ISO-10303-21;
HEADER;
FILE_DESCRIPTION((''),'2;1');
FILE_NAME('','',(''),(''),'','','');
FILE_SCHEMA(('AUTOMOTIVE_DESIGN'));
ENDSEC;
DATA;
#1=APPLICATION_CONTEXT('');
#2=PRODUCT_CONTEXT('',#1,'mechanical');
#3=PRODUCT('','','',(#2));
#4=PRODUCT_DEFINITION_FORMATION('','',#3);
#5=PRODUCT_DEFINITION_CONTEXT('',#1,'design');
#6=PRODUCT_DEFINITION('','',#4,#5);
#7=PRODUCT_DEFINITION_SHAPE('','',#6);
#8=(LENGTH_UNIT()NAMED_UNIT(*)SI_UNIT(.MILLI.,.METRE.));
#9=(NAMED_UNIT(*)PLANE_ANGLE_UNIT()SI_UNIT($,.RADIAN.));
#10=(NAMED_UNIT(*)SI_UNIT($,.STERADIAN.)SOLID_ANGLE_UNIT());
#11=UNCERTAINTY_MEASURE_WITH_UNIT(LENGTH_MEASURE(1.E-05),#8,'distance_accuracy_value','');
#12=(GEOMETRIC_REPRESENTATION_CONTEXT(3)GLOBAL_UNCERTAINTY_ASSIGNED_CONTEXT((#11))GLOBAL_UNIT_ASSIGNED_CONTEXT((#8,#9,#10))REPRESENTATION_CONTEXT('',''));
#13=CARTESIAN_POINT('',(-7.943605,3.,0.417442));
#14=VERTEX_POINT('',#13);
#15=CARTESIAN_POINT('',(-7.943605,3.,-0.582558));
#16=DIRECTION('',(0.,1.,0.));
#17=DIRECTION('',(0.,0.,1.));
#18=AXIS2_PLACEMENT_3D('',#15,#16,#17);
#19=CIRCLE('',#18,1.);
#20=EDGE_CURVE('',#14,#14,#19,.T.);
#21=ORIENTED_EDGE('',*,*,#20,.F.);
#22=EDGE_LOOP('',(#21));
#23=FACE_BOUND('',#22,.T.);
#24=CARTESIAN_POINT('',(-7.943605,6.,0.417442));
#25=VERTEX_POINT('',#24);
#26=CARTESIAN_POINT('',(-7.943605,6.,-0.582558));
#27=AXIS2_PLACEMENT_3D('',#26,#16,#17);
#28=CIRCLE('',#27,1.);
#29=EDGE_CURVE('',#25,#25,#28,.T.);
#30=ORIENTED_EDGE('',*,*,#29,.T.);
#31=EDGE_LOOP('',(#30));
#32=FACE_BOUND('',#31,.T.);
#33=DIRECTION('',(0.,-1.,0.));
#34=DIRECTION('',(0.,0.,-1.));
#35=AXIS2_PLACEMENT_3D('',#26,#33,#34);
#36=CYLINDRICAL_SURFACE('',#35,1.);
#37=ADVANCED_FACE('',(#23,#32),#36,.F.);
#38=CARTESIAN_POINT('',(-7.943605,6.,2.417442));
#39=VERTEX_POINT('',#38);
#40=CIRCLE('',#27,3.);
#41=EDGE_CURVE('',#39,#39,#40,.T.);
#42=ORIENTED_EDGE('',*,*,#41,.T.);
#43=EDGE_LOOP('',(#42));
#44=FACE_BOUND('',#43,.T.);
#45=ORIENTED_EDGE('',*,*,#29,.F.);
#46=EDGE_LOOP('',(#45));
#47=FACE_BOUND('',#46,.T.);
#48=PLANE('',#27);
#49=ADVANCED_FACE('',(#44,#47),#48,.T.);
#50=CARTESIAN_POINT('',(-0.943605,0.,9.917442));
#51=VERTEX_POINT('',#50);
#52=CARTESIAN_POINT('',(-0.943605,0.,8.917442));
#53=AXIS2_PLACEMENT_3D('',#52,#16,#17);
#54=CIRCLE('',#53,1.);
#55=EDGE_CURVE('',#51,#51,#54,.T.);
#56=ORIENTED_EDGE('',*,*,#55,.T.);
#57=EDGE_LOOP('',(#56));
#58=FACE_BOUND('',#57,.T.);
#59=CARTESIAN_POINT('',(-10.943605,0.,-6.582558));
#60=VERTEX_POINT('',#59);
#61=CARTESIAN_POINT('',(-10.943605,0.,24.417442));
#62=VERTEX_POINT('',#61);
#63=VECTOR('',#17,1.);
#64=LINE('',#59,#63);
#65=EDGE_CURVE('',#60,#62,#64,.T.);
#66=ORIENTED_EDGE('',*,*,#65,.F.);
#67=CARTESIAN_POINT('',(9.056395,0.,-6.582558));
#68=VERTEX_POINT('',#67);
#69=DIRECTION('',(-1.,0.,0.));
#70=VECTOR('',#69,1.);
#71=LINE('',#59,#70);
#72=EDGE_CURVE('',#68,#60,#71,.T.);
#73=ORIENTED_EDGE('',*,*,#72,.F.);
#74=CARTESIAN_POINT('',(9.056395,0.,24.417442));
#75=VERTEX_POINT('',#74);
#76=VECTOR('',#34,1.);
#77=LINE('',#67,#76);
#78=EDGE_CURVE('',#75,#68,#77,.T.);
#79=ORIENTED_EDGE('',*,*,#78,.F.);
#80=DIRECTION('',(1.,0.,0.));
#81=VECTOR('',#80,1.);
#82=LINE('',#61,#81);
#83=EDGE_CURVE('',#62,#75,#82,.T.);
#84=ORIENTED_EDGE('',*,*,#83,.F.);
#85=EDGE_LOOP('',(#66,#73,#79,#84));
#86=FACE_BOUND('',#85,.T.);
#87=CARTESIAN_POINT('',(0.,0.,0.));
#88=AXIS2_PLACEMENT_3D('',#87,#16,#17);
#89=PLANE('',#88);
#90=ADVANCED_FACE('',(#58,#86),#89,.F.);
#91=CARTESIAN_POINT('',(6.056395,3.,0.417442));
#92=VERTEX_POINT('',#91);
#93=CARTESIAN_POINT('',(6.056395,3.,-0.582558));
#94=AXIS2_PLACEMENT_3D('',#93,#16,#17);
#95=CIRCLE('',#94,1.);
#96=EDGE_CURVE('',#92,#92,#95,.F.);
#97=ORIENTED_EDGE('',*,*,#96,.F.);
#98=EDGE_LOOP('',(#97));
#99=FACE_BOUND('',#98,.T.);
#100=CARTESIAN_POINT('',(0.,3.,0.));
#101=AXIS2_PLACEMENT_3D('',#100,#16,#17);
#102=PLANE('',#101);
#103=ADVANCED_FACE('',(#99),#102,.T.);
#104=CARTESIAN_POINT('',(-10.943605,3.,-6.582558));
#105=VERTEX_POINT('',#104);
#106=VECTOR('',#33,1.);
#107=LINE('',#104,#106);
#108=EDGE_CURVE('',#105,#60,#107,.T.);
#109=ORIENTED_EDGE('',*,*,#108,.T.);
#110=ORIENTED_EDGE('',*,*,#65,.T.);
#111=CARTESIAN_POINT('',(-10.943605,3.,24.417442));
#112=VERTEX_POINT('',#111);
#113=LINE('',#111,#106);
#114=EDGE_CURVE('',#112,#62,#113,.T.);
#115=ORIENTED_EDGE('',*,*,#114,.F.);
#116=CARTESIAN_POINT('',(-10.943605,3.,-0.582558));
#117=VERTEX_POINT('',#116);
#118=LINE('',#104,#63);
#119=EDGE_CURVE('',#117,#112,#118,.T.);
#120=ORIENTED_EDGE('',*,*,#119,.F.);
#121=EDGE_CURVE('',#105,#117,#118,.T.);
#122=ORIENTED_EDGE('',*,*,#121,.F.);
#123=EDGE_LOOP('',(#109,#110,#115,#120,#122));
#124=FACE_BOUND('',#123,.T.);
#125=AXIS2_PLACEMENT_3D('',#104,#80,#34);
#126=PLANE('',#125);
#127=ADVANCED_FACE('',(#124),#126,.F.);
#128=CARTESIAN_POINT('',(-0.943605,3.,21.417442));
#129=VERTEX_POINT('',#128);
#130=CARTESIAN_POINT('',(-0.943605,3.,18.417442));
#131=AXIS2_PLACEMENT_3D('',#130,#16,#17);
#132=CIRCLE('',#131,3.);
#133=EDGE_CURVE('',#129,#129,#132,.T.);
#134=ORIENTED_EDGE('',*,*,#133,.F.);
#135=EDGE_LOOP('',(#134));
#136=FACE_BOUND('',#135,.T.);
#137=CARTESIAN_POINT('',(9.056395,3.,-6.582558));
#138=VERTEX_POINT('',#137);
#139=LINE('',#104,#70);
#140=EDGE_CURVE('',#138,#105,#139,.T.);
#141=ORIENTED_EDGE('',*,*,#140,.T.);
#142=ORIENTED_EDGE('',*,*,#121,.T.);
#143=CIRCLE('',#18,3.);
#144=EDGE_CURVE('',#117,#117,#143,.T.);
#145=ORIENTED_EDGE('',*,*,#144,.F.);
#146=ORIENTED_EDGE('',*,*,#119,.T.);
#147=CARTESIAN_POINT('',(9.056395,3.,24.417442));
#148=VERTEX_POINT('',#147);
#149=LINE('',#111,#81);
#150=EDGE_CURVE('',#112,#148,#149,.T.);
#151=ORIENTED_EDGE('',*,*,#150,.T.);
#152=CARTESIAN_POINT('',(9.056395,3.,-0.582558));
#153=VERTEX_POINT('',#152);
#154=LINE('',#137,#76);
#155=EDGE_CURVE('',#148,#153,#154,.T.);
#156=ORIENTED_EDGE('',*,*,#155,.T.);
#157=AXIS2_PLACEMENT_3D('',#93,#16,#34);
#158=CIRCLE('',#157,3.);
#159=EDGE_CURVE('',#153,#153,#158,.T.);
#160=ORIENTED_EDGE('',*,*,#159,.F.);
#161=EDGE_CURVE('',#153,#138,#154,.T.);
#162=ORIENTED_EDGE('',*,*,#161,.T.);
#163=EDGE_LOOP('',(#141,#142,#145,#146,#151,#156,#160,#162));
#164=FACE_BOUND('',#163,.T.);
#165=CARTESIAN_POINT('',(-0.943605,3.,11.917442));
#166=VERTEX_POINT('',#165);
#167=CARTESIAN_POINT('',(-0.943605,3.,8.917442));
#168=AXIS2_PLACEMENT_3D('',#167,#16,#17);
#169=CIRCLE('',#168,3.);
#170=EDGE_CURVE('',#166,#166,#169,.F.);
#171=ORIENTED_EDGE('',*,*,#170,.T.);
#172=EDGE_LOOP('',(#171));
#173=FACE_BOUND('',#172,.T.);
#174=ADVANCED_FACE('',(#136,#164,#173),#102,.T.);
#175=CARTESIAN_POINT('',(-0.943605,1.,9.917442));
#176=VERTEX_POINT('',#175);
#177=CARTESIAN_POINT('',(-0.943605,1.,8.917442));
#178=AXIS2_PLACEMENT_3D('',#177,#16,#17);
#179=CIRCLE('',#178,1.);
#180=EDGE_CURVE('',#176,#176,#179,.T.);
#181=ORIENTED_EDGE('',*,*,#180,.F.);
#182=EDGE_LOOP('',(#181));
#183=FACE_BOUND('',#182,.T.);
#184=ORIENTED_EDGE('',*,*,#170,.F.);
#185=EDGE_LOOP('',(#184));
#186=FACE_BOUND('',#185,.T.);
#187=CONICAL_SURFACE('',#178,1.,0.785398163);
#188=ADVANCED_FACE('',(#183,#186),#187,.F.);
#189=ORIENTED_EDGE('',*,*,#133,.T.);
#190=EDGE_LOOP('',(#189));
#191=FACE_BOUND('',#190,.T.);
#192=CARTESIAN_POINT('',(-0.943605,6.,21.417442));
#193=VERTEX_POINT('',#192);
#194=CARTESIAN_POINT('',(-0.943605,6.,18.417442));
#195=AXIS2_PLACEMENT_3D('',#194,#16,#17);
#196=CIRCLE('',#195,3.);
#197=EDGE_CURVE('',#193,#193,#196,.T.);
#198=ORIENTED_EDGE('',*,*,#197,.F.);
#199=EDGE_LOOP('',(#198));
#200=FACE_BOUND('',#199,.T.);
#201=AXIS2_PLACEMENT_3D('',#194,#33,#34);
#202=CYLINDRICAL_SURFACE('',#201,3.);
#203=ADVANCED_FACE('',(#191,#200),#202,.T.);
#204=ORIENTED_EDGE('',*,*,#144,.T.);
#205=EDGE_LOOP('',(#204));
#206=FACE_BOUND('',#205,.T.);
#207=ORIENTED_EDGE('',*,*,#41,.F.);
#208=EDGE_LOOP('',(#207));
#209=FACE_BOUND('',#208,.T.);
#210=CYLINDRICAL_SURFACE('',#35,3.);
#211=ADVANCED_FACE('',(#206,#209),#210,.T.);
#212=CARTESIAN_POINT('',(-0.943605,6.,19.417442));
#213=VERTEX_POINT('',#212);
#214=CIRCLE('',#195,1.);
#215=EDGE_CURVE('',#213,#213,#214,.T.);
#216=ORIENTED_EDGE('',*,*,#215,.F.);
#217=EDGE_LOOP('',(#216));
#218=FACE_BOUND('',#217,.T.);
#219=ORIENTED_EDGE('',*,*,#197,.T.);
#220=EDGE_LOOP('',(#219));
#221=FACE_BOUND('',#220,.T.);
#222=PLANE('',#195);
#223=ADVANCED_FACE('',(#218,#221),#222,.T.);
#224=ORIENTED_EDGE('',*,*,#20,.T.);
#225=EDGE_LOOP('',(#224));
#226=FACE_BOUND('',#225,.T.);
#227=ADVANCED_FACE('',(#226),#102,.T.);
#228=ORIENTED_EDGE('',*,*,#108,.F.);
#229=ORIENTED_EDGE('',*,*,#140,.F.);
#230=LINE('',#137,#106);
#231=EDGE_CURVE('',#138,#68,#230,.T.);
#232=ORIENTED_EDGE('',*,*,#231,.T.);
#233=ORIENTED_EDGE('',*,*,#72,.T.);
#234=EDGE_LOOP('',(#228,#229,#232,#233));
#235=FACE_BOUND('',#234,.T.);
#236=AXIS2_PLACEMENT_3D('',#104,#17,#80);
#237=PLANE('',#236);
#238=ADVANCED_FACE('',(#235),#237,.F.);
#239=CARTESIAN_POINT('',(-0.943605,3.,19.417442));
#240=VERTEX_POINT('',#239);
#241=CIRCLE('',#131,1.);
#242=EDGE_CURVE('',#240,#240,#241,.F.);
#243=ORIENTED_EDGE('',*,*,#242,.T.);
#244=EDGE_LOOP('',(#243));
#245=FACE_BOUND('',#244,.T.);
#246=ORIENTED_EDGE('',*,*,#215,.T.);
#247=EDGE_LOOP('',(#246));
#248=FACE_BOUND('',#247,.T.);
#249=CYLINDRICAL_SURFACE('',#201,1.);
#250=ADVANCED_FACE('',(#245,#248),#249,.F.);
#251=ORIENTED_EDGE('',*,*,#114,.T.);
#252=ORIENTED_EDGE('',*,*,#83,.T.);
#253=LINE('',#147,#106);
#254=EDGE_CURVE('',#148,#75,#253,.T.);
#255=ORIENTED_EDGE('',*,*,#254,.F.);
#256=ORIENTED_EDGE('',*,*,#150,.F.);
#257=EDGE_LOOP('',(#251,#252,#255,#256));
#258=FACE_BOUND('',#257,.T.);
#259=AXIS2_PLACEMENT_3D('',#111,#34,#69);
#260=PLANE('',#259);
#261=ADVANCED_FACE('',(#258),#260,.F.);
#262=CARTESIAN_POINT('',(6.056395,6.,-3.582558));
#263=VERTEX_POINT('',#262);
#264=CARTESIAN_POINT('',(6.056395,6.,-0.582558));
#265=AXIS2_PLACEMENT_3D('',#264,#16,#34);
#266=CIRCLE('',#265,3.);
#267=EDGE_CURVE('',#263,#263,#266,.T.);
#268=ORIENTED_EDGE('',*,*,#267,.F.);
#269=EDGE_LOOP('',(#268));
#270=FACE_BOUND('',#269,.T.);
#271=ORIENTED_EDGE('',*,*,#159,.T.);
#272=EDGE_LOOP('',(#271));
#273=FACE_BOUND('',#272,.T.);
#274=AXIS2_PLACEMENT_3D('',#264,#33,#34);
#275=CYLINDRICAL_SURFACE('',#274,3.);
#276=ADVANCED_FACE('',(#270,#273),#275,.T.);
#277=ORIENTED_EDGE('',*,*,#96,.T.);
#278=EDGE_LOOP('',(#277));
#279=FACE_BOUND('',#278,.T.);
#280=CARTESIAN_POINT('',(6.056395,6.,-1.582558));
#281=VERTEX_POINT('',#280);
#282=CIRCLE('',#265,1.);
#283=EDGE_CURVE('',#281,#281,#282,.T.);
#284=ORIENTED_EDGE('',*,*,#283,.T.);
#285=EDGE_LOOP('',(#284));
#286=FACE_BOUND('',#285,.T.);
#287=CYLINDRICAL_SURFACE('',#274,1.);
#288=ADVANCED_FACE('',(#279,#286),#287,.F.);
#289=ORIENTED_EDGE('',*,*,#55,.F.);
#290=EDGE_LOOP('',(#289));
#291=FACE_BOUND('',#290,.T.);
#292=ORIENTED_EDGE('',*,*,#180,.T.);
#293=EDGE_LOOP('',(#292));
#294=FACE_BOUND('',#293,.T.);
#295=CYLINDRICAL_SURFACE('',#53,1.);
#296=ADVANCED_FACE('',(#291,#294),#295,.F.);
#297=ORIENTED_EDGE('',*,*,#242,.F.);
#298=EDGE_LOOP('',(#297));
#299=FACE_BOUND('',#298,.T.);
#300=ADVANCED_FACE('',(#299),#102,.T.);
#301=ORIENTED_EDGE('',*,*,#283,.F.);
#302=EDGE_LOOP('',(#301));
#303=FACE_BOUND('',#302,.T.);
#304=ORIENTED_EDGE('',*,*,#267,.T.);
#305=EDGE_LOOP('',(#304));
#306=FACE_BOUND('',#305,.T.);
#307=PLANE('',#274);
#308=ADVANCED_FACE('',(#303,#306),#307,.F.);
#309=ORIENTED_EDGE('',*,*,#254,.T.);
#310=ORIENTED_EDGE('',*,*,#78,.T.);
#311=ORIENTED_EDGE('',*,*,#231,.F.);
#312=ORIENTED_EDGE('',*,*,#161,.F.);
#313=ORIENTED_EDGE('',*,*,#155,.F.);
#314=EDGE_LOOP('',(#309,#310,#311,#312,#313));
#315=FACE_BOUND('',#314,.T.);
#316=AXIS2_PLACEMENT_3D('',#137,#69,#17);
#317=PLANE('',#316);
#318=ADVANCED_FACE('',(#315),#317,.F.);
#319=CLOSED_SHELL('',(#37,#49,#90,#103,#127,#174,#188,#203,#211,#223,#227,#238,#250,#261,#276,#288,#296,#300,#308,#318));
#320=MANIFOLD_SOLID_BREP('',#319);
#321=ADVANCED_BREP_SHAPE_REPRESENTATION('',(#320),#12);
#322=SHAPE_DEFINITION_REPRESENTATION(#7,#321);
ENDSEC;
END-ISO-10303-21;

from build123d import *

# Parameters (mm, degrees)
SKETCH_1_W          = 20
SKETCH_1_H          = 31
EXTRUDE_1_DEPTH     = 3
SKETCH_3_R          = 3
SKETCH_3_R_2        = 1
EXTRUDE_2_DEPTH     = 3
SKETCH_4_R          = 1
CUT_EXTRUDE_1_DEPTH = 3
CHAMFER_1_SIZE      = 2


with BuildPart() as part:
    # Эскиз1 → Бобышка-Вытянуть1 (new body)
    with BuildSketch(Plane(origin=(0, 0, 0), x_dir=(1, 0, 0), z_dir=(0, 1, 0))):
        with Locations((-0.943604651, -8.91744186)):
            Rectangle(SKETCH_1_W, SKETCH_1_H)
    extrude(amount=EXTRUDE_1_DEPTH)

    # Эскиз3 → Бобышка-Вытянуть2 (add)
    with BuildSketch(Plane(origin=(0, 3, 0), x_dir=(1, 0, 0), z_dir=(0, 1, 0))):
        with Locations((-7.943604651, 0.58255814)):
            Circle(SKETCH_3_R)
        with Locations((-7.943604651, 0.58255814)):
            Circle(SKETCH_3_R_2, mode=Mode.SUBTRACT)
        with Locations((6.056395349, 0.58255814)):
            Circle(SKETCH_3_R)
        with Locations((6.056395349, 0.58255814)):
            Circle(SKETCH_3_R_2, mode=Mode.SUBTRACT)
        with Locations((-0.943604651, -18.41744186)):
            Circle(SKETCH_3_R)
        with Locations((-0.943604651, -18.41744186)):
            Circle(SKETCH_3_R_2, mode=Mode.SUBTRACT)
    extrude(amount=EXTRUDE_2_DEPTH)

    # Эскиз4 → Вырез-Вытянуть1 (cut)
    with BuildSketch(Plane(origin=(0, 3, 0), x_dir=(1, 0, 0), z_dir=(0, 1, 0))):
        with Locations((-0.943604651, -8.91744186)):
            Circle(SKETCH_4_R)
    extrude(amount=-CUT_EXTRUDE_1_DEPTH, mode=Mode.SUBTRACT)

    # Фаска1
    chamfer_1_edges = [part.edges().sort_by_distance(p)[0] for p in [
        (-1.943604651, 3, 8.91744186),
    ]]
    chamfer(chamfer_1_edges, length=CHAMFER_1_SIZE)


solid = part.part
